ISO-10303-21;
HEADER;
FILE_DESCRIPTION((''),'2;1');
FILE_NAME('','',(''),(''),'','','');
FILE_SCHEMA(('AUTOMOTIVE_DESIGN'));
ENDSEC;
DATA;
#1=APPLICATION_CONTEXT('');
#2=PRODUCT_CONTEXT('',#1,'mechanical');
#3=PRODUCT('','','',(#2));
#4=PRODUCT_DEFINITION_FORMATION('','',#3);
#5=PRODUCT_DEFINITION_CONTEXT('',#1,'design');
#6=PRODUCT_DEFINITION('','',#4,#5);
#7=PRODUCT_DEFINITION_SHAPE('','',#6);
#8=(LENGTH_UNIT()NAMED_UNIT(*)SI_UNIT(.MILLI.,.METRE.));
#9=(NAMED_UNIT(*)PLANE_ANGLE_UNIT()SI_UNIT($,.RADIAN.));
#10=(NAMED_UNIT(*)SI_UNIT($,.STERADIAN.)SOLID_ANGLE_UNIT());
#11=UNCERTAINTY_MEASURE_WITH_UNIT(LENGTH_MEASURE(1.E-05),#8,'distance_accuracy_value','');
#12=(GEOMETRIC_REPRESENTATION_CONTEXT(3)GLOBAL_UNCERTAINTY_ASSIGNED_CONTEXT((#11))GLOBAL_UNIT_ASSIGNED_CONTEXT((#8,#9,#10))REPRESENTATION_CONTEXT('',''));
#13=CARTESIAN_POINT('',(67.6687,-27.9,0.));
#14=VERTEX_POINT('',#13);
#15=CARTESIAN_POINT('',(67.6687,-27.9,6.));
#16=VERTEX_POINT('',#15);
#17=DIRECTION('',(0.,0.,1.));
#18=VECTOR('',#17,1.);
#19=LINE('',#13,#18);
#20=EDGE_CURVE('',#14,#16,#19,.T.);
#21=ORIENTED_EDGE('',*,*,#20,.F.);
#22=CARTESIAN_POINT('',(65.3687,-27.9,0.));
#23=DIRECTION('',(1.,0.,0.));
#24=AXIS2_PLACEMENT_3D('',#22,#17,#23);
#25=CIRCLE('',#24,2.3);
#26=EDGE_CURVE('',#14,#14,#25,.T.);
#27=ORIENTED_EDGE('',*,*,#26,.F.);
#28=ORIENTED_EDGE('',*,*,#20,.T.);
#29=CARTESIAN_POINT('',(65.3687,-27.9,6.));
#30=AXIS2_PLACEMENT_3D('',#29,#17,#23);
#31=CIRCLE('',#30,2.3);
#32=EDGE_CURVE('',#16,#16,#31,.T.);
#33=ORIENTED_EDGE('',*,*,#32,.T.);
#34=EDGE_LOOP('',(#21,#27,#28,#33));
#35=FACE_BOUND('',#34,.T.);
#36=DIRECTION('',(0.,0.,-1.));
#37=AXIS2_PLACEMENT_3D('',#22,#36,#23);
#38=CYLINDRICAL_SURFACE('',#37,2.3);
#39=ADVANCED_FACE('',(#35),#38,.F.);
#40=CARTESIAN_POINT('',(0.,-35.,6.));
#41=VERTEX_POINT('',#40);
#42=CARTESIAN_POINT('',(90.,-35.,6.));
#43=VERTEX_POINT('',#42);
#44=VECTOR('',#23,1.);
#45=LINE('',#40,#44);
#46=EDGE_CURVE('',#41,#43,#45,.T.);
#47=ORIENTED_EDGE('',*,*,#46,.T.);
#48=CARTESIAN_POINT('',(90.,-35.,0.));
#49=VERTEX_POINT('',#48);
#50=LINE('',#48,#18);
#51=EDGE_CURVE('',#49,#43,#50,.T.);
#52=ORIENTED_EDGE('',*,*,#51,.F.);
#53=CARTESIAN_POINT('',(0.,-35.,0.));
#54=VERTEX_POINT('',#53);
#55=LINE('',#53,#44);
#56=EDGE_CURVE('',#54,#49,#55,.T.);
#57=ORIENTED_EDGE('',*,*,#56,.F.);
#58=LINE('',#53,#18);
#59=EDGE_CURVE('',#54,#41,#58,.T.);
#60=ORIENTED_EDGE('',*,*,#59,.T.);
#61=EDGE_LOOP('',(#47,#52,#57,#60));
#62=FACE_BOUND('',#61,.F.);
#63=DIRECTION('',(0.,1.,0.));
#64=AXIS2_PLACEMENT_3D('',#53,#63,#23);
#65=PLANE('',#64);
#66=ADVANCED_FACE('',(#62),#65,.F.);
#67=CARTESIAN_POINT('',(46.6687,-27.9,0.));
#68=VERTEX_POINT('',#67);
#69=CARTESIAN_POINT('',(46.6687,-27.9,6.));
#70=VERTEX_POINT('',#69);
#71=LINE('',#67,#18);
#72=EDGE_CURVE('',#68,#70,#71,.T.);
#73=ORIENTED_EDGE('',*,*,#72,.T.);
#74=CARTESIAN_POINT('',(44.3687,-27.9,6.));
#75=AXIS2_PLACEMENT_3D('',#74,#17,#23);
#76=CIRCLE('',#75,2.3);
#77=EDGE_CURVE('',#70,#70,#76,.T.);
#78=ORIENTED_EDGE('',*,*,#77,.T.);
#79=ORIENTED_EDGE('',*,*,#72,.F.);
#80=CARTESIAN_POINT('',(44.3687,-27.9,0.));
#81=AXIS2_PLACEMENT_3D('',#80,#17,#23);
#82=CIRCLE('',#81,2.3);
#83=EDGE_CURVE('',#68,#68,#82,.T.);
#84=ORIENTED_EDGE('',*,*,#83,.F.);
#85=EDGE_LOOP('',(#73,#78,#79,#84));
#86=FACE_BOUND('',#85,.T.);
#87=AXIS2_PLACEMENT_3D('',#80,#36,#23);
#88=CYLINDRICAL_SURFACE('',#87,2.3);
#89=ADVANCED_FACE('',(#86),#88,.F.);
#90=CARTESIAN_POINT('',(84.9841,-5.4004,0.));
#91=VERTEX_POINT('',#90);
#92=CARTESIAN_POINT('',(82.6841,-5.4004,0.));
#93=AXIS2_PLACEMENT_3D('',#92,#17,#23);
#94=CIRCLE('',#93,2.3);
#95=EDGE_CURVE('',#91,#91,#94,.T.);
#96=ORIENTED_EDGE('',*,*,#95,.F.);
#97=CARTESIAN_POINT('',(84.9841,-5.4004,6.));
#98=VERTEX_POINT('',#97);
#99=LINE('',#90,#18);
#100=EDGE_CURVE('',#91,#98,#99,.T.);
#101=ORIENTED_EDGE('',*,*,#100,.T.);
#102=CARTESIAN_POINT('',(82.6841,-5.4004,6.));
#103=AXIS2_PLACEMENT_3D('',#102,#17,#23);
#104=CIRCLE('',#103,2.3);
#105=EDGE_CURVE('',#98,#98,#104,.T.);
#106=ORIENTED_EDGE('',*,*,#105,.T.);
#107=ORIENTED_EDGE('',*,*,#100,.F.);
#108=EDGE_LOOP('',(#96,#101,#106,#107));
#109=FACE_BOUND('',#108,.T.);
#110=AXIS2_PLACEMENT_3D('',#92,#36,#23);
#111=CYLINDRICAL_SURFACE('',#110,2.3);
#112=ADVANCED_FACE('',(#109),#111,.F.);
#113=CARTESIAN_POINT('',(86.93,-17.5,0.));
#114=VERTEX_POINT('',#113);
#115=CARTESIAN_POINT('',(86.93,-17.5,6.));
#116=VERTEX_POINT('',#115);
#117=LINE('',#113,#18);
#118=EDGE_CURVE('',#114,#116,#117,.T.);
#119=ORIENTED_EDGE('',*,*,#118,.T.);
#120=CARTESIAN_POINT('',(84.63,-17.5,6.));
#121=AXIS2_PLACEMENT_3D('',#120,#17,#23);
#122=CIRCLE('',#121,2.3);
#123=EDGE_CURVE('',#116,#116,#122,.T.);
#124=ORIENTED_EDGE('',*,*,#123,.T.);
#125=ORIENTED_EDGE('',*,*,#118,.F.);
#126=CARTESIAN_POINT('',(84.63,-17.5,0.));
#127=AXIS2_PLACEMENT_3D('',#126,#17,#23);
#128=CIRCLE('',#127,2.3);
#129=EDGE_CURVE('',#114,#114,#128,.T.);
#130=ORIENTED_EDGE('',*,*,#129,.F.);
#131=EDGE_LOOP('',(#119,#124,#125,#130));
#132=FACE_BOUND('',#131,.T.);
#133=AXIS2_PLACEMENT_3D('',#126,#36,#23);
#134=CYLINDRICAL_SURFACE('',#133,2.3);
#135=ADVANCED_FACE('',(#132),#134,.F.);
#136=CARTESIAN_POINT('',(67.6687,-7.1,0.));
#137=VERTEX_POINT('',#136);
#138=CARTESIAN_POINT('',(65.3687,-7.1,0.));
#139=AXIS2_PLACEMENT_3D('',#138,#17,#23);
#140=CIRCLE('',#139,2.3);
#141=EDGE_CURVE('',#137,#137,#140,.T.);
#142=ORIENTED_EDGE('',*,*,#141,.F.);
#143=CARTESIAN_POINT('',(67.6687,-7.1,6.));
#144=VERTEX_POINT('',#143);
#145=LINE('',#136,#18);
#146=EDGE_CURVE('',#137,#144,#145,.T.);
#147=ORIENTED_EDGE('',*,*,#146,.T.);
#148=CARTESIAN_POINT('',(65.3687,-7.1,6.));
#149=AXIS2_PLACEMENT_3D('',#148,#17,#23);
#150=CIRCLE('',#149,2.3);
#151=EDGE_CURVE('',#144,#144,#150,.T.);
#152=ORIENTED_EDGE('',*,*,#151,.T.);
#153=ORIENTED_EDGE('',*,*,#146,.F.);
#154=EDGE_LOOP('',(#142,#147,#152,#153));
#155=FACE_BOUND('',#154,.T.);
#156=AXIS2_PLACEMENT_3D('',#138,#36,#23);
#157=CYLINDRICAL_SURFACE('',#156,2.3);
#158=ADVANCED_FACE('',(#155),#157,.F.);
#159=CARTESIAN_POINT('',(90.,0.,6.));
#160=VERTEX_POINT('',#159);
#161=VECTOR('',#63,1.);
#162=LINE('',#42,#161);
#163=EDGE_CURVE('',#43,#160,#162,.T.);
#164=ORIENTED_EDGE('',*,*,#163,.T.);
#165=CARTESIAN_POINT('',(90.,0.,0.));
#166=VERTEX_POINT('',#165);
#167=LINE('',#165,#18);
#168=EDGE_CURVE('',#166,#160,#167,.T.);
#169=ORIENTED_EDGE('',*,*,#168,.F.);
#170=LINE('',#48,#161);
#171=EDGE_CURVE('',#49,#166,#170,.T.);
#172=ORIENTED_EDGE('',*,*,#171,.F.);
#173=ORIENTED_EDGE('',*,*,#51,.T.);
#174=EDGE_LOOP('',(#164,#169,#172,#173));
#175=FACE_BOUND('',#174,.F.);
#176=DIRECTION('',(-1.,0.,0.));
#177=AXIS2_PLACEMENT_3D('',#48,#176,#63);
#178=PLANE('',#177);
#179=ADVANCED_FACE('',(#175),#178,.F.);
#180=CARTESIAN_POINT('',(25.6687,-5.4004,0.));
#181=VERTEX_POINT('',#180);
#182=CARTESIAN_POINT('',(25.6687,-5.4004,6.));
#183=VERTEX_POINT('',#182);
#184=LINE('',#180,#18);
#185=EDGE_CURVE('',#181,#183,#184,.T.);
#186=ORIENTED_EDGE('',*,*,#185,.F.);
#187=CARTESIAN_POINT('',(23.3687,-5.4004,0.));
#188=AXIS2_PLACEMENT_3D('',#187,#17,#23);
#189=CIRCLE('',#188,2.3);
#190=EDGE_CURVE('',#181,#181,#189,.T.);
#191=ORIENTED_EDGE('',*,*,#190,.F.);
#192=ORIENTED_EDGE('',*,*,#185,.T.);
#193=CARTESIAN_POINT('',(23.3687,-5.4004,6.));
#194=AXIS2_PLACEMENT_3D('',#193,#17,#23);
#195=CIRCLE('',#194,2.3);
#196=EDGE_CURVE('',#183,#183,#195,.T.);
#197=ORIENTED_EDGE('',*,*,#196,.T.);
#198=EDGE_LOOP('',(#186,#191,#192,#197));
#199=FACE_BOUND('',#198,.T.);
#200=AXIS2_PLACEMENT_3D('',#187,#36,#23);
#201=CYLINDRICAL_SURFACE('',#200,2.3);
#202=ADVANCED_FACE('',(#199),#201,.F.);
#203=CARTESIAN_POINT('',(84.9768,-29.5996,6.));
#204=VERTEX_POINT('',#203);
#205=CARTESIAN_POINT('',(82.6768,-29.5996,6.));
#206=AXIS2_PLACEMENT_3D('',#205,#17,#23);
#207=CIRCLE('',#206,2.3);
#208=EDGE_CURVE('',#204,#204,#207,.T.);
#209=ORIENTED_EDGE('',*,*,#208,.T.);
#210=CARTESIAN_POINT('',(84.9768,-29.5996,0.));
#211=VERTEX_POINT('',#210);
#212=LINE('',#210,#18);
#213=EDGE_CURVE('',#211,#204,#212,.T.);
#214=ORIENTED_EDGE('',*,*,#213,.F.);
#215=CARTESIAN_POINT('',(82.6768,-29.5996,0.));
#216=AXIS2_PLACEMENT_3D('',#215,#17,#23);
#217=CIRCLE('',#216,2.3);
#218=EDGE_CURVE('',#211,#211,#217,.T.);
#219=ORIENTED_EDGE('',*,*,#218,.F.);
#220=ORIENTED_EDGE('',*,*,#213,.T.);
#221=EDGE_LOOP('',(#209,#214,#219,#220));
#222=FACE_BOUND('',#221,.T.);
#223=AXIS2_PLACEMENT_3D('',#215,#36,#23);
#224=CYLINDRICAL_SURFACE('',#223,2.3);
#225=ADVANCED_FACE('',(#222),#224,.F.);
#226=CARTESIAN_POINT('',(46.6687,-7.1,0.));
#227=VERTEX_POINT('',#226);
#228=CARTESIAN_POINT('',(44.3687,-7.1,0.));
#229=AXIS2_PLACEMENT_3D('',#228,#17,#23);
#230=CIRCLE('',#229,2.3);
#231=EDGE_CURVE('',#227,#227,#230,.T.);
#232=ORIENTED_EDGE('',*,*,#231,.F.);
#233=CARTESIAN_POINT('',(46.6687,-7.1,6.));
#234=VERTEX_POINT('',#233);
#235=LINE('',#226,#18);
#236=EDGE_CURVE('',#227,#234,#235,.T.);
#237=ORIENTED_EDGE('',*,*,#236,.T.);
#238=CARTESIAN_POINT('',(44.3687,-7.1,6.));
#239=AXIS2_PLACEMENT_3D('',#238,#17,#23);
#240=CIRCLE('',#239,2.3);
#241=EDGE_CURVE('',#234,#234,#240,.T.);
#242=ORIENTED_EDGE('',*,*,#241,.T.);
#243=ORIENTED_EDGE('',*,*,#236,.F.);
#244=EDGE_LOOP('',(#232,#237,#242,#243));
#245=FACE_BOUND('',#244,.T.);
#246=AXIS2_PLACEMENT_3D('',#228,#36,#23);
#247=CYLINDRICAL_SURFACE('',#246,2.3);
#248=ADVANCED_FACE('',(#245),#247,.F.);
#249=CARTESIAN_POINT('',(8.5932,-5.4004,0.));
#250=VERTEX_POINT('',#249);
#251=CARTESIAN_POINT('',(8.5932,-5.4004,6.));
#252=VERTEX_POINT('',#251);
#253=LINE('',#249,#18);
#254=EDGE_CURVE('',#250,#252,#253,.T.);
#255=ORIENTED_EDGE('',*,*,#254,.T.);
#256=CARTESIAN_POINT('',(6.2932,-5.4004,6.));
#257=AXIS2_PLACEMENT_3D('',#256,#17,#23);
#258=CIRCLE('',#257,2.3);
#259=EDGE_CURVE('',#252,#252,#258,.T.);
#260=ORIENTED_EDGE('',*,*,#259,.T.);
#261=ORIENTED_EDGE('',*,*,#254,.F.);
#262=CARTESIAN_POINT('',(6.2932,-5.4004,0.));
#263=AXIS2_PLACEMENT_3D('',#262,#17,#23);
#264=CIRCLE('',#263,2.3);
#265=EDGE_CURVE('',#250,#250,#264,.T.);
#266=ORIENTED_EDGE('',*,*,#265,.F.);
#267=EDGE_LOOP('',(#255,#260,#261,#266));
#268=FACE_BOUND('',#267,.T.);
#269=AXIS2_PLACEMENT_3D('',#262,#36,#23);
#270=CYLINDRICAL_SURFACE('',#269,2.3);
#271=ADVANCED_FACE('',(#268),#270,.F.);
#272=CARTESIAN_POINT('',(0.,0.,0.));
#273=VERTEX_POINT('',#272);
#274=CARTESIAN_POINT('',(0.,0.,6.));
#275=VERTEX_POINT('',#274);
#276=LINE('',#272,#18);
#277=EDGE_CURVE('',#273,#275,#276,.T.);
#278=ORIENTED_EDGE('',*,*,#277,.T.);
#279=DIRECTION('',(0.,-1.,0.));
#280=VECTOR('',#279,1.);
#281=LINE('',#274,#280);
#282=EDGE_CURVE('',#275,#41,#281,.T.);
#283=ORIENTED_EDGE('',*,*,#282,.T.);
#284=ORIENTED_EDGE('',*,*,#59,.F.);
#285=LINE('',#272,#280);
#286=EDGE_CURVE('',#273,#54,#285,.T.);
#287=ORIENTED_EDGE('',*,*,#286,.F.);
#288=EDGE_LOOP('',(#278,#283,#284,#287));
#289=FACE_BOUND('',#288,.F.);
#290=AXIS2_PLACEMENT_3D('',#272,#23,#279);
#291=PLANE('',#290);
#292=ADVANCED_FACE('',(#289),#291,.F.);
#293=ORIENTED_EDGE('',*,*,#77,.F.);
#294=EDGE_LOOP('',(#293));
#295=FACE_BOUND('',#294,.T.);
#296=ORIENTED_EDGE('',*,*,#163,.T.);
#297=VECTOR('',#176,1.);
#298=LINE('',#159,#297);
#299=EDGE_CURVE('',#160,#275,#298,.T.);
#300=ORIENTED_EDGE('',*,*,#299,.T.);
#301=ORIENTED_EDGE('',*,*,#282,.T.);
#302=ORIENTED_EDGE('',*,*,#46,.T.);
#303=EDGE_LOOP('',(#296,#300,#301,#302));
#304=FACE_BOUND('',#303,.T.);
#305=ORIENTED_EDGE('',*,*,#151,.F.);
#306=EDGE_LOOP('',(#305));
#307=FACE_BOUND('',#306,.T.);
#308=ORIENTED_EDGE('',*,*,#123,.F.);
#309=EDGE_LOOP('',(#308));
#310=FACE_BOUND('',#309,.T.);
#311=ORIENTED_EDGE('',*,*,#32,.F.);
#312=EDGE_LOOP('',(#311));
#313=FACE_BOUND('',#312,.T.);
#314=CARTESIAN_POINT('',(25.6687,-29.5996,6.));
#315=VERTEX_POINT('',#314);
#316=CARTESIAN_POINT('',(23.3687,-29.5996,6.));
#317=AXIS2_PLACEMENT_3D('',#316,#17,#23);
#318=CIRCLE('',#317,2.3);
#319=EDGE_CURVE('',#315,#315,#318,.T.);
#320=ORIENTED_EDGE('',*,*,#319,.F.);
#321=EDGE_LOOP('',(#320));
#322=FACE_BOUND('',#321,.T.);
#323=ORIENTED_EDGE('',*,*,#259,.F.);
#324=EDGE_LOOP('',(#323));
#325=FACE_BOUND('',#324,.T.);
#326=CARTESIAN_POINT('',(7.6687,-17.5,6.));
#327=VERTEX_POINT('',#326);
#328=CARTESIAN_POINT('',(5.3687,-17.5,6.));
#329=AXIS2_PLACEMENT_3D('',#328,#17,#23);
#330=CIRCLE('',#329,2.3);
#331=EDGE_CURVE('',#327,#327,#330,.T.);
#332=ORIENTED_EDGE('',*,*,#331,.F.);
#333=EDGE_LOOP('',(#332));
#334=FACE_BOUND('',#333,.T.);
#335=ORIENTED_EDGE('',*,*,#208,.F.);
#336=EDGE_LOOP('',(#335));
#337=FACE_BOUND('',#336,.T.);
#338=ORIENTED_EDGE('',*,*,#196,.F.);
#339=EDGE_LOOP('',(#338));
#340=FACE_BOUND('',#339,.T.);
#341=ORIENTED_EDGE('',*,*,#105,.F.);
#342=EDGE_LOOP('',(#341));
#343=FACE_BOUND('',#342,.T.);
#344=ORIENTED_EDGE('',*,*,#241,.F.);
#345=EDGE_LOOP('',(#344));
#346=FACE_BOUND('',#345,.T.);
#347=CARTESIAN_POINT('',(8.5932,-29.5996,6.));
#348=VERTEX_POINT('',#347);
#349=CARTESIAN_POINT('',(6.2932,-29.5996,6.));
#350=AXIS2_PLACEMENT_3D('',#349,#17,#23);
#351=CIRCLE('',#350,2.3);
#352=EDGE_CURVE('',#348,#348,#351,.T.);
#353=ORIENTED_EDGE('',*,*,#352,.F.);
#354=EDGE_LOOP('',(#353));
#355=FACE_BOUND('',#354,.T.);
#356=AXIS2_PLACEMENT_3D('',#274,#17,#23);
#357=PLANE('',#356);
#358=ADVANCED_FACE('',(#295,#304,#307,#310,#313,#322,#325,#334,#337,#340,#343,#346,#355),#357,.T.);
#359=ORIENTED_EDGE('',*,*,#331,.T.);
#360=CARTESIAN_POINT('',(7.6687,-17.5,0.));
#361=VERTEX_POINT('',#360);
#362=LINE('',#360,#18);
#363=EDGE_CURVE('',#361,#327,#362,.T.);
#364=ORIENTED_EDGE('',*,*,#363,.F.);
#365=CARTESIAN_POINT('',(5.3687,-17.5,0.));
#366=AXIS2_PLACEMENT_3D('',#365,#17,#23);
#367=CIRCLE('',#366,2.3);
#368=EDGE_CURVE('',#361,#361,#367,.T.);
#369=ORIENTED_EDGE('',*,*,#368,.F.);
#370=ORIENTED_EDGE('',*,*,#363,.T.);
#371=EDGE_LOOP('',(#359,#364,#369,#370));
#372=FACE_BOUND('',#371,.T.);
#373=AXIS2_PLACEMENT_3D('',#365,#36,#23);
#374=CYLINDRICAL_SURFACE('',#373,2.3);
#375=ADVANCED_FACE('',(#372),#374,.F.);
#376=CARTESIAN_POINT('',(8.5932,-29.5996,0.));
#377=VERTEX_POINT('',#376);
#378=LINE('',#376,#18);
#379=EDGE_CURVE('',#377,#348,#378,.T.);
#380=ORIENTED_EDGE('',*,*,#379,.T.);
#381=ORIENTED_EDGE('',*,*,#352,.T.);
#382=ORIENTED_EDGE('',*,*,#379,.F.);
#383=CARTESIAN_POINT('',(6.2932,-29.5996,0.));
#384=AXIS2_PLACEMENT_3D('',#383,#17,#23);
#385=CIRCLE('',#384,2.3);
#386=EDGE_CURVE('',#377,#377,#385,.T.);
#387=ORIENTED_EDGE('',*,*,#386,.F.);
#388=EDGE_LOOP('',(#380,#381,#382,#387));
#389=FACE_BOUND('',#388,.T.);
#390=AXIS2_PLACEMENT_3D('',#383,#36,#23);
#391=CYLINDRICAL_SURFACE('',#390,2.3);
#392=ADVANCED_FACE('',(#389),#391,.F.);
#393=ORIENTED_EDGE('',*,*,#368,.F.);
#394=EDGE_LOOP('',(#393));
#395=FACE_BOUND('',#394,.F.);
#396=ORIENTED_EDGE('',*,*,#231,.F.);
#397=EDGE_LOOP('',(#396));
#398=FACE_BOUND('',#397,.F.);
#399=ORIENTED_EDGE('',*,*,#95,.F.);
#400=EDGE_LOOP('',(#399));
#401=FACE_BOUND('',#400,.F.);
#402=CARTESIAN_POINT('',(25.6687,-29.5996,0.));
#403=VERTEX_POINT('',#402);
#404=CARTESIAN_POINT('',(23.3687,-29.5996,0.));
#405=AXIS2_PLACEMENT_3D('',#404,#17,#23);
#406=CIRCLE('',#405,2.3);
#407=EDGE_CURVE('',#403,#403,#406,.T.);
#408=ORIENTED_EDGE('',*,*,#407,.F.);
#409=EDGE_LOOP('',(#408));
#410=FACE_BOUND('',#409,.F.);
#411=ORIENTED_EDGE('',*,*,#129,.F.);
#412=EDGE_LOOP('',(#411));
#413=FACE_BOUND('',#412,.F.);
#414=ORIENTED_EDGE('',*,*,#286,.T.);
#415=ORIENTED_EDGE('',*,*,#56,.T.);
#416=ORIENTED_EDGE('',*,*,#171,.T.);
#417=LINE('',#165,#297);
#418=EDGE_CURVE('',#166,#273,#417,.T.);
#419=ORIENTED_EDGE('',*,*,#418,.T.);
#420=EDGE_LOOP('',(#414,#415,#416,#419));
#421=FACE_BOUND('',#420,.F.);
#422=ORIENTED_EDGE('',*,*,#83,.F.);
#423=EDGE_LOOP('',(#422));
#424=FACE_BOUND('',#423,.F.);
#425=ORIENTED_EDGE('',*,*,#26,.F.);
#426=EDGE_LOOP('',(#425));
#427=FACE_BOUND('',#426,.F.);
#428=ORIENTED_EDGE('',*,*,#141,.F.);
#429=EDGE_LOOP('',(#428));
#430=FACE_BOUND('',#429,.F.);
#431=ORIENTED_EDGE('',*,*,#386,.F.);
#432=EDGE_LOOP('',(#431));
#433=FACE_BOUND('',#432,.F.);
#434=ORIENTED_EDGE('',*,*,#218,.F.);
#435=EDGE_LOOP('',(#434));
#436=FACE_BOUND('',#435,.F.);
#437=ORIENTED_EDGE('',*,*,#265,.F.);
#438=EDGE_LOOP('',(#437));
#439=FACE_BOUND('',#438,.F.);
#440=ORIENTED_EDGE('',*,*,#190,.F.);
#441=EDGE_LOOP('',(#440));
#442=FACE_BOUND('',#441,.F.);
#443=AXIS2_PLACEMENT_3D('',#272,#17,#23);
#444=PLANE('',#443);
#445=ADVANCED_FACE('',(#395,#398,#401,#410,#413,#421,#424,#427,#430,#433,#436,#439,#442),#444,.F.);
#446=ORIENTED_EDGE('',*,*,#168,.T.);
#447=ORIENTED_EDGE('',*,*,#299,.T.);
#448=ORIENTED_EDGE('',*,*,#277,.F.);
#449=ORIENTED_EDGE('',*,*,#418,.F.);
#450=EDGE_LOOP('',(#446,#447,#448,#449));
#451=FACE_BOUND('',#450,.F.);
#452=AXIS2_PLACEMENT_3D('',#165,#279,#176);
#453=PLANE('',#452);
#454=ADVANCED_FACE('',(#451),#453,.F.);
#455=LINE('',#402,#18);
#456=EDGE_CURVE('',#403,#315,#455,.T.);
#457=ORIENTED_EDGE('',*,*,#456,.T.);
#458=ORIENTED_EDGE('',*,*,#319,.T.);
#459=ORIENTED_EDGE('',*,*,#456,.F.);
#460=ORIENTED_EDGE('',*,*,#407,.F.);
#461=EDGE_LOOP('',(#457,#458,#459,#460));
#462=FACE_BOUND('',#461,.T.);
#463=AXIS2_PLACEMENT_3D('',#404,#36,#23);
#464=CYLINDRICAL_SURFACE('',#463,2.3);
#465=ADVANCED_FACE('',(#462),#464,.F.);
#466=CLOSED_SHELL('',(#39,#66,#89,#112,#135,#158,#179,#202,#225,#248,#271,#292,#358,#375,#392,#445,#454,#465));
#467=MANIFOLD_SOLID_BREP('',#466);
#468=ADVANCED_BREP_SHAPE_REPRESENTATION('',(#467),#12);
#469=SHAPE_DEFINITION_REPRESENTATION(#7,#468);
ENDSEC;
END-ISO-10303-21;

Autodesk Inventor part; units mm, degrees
ref_plane "YZ Plane" through (0, 0, 0) normal (1, 0, 0) x (0, 1, 0)
ref_plane "XZ Plane" through (0, 0, 0) normal (0, 1, 0) x (-1, 0, 0)
ref_plane "XY Plane" through (0, 0, 0) normal (0, 0, 1) x (1, 0, 0)
sketch "Esboço1" plane through (0, 0, 0) normal (0, 0, 1) x (1, 0, 0)
  line L0 (90, 0) -> (0, 0)
  line L1 (0, 0) -> (0, -35)
  line L2 (0, -35) -> (90, -35)
  line L3 (90, -35) -> (90, 0)
  circle A0 centre (65.3687, -7.1) radius 2.3
  circle A1 centre (23.3687, -29.5996) radius 2.3
  circle A2 centre (44.3687, -27.9) radius 2.3
  circle A3 centre (44.3687, -7.1) radius 2.3
  circle A4 centre (84.63, -17.5) radius 2.3
  circle A5 centre (5.3687, -17.5) radius 2.3
  circle A6 centre (65.3687, -27.9) radius 2.3
  circle A7 centre (23.3687, -5.4004) radius 2.3
  circle A8 centre (6.2932, -5.4004) radius 2.3
  circle A9 centre (6.2932, -29.5996) radius 2.3
  circle A10 centre (82.6841, -5.4004) radius 2.3
  circle A11 centre (82.6768, -29.5996) radius 2.3
extrude "Extrusão1" add sketch "Esboço1" along normal blind 6
properties part number "acrilico base" material "Acrílico"
